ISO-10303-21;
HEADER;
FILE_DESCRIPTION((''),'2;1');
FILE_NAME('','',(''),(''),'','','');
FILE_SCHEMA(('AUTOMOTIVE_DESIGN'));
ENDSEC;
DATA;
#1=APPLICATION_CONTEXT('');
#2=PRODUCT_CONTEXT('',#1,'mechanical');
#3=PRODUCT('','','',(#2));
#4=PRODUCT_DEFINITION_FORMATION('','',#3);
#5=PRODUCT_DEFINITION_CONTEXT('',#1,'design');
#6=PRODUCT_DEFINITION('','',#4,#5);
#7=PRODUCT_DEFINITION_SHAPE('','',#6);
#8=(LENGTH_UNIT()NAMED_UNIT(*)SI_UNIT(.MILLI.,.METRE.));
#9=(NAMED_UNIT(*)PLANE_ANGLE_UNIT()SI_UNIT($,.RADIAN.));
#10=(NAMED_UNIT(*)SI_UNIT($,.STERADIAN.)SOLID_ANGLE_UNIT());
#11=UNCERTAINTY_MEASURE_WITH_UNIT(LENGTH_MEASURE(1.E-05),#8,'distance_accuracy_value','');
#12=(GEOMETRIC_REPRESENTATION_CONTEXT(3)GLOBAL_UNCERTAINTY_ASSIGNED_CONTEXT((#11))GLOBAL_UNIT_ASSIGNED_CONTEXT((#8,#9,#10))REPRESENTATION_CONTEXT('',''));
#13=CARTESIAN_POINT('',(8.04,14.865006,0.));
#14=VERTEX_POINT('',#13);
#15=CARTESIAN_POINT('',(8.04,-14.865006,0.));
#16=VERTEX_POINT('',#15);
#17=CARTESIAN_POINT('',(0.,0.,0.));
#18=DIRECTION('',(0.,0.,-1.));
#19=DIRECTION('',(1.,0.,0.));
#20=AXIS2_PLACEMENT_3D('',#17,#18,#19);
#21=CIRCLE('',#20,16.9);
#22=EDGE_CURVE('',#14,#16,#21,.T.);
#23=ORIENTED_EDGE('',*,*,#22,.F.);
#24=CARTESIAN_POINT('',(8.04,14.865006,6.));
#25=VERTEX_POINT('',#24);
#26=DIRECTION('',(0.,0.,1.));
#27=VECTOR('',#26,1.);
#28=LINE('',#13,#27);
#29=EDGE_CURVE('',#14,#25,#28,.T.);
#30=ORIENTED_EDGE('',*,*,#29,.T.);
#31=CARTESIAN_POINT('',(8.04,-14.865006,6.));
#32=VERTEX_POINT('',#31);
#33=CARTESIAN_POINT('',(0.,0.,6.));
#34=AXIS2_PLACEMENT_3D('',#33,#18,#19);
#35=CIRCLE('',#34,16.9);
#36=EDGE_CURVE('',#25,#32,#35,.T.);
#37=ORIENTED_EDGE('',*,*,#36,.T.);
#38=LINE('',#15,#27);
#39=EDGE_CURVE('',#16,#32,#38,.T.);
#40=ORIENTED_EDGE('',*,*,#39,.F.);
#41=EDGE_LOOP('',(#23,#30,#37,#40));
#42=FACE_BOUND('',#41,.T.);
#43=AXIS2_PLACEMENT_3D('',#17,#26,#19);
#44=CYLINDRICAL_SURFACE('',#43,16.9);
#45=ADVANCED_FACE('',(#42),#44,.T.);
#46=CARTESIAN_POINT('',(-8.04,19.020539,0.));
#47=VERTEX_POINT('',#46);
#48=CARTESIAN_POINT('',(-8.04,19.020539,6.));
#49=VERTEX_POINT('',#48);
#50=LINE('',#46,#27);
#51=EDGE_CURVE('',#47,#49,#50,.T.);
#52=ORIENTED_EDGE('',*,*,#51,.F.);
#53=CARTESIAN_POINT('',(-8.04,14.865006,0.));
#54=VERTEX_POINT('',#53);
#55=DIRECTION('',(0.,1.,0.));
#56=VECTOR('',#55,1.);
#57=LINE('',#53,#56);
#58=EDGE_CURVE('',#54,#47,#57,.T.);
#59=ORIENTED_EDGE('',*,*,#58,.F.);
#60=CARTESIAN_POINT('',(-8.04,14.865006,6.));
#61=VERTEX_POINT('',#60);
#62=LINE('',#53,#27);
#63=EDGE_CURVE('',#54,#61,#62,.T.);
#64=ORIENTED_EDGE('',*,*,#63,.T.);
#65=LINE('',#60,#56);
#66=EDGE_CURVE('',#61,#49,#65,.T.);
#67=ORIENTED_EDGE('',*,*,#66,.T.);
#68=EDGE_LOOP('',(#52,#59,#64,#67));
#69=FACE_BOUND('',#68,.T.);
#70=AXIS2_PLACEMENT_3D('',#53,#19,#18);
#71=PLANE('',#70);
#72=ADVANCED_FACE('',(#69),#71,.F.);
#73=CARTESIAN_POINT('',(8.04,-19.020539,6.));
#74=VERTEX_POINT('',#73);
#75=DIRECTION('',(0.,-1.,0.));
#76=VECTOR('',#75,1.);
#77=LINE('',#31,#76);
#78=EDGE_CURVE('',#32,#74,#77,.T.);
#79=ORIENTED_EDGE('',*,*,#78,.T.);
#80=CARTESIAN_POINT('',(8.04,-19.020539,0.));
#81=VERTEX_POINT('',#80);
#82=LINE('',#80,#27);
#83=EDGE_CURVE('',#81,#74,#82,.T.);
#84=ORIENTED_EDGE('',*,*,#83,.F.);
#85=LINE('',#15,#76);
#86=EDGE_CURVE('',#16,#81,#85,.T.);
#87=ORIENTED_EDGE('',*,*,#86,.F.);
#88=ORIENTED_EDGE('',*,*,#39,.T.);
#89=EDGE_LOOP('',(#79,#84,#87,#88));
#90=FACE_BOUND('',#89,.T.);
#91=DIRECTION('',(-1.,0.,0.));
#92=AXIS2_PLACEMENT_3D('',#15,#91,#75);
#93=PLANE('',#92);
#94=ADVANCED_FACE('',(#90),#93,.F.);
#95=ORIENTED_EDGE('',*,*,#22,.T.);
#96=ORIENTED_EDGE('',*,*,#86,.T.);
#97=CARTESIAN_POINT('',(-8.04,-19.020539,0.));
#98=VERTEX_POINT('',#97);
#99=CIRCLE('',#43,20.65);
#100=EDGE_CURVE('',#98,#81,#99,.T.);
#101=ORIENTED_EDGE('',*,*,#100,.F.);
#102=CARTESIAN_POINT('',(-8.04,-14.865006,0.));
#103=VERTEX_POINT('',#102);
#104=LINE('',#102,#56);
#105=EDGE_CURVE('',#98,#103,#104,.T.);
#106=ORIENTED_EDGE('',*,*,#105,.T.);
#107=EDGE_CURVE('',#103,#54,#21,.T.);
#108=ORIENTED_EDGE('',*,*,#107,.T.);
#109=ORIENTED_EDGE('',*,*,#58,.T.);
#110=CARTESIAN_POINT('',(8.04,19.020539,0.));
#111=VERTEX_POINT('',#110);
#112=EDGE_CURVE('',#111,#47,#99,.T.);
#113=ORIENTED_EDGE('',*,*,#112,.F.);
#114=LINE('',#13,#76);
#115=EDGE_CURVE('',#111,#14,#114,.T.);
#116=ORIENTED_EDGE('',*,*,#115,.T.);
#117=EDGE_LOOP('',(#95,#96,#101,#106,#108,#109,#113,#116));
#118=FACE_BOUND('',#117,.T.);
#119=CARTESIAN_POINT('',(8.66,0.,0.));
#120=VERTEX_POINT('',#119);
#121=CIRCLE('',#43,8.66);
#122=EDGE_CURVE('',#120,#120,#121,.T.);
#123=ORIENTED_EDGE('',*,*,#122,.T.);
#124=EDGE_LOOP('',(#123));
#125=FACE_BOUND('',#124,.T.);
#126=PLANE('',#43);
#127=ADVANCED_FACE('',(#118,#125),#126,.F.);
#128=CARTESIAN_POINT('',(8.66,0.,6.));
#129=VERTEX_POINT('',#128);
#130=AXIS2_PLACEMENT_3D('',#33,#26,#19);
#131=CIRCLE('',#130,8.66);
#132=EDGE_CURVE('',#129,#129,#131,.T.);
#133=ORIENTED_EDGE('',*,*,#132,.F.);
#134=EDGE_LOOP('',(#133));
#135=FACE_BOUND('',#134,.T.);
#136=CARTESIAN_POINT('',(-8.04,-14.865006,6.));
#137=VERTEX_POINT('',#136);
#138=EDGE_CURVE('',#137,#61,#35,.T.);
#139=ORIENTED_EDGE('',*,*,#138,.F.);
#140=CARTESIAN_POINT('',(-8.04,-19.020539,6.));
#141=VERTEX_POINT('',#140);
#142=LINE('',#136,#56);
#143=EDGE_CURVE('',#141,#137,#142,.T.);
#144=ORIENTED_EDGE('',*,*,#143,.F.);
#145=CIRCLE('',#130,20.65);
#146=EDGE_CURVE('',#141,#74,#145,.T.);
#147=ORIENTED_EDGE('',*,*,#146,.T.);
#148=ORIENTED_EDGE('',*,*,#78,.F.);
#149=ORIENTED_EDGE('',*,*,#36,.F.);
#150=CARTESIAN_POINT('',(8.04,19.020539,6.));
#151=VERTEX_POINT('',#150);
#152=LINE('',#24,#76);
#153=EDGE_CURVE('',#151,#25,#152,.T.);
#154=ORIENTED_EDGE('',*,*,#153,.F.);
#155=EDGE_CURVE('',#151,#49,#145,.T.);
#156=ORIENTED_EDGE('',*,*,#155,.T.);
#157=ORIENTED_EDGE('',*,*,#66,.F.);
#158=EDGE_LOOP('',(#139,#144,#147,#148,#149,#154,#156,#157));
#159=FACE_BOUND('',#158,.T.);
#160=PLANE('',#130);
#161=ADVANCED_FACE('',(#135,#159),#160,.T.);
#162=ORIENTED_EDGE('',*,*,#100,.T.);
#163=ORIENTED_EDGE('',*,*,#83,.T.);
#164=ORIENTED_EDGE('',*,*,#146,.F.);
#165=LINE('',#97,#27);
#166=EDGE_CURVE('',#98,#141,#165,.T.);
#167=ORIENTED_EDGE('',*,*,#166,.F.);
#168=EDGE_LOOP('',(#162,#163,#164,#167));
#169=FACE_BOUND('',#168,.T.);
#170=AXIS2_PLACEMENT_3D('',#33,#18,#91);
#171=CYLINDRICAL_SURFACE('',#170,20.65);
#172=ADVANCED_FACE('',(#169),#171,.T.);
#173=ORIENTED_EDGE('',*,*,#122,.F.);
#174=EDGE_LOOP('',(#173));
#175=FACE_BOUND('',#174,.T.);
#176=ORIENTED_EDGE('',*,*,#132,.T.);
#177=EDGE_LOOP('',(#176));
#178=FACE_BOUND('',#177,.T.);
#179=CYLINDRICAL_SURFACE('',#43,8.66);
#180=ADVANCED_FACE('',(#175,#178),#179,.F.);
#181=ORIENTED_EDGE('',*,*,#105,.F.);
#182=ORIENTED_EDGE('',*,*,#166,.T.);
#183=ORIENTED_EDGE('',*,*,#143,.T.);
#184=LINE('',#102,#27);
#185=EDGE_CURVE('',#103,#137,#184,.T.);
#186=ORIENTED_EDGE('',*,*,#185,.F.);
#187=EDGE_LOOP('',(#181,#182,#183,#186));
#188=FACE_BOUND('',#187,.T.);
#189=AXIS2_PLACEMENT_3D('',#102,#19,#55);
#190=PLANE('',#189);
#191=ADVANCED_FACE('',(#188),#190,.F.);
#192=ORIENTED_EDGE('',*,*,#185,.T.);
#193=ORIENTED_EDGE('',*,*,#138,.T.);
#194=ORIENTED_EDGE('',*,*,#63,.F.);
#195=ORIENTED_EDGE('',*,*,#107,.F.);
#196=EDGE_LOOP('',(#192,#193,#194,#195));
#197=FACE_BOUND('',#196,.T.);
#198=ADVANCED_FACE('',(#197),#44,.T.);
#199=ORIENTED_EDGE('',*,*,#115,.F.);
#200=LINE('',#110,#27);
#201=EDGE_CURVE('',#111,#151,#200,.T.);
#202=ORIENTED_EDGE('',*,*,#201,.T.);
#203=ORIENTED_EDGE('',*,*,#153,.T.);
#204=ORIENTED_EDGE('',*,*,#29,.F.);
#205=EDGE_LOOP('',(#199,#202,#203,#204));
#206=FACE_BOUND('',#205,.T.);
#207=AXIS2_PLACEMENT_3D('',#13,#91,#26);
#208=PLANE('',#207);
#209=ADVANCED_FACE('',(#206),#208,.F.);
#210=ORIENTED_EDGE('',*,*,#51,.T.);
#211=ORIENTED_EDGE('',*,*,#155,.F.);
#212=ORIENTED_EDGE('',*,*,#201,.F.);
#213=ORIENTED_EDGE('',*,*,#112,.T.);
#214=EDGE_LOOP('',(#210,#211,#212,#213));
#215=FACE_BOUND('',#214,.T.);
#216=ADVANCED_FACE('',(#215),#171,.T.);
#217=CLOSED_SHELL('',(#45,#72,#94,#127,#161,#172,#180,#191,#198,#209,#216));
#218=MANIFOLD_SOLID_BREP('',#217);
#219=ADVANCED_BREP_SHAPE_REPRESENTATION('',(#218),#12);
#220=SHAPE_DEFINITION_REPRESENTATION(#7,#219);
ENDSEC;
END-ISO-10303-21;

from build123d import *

# Parameters (mm, degrees)
IZIM1_R                     = 20.65
Y_KSEKLIK_EKSTR_ZYON1_DEPTH = 6
KES_EKSTR_ZYON1_START       = -6
KES_EKSTR_ZYON1_DEPTH       = 6
IZIM4_R                     = 8.66
KES_EKSTR_ZYON2_DEPTH       = 6


with BuildPart() as part:
    # Çizim1 → Yükseklik-Ekstrüzyon1 (new body)
    with BuildSketch(Plane.XY):
        Circle(IZIM1_R)
    extrude(amount=Y_KSEKLIK_EKSTR_ZYON1_DEPTH)

    # Çizim3 → Kes-Ekstrüzyon1 (cut)
    with BuildSketch(Plane.XY.offset(6).offset(KES_EKSTR_ZYON1_START)):
        with BuildLine():
            Line((8.04, 14.865005886), (8.04, 19.020538899))
            ThreePointArc((8.04, 19.020538899), (20.65, 0), (8.04, -19.020538899))
            Line((8.04, -19.020538899), (8.04, -14.865005886))
            ThreePointArc((8.04, -14.865005886), (16.9, 0), (8.04, 14.865005886))
        make_face()
        with BuildLine():
            Line((-8.04, 14.865005886), (-8.04, 19.020538899))
            ThreePointArc((-8.04, 19.020538899), (-20.65, 0), (-8.04, -19.020538899))
            Line((-8.04, -19.020538899), (-8.04, -14.865005886))
            ThreePointArc((-8.04, -14.865005886), (-16.9, 0), (-8.04, 14.865005886))
        make_face()
    extrude(amount=KES_EKSTR_ZYON1_DEPTH, mode=Mode.SUBTRACT)

    # Çizim4 → Kes-Ekstrüzyon2 (cut)
    with BuildSketch(Plane.XY.offset(6)):
        Circle(IZIM4_R)
    extrude(amount=-KES_EKSTR_ZYON2_DEPTH, mode=Mode.SUBTRACT)


solid = part.part
